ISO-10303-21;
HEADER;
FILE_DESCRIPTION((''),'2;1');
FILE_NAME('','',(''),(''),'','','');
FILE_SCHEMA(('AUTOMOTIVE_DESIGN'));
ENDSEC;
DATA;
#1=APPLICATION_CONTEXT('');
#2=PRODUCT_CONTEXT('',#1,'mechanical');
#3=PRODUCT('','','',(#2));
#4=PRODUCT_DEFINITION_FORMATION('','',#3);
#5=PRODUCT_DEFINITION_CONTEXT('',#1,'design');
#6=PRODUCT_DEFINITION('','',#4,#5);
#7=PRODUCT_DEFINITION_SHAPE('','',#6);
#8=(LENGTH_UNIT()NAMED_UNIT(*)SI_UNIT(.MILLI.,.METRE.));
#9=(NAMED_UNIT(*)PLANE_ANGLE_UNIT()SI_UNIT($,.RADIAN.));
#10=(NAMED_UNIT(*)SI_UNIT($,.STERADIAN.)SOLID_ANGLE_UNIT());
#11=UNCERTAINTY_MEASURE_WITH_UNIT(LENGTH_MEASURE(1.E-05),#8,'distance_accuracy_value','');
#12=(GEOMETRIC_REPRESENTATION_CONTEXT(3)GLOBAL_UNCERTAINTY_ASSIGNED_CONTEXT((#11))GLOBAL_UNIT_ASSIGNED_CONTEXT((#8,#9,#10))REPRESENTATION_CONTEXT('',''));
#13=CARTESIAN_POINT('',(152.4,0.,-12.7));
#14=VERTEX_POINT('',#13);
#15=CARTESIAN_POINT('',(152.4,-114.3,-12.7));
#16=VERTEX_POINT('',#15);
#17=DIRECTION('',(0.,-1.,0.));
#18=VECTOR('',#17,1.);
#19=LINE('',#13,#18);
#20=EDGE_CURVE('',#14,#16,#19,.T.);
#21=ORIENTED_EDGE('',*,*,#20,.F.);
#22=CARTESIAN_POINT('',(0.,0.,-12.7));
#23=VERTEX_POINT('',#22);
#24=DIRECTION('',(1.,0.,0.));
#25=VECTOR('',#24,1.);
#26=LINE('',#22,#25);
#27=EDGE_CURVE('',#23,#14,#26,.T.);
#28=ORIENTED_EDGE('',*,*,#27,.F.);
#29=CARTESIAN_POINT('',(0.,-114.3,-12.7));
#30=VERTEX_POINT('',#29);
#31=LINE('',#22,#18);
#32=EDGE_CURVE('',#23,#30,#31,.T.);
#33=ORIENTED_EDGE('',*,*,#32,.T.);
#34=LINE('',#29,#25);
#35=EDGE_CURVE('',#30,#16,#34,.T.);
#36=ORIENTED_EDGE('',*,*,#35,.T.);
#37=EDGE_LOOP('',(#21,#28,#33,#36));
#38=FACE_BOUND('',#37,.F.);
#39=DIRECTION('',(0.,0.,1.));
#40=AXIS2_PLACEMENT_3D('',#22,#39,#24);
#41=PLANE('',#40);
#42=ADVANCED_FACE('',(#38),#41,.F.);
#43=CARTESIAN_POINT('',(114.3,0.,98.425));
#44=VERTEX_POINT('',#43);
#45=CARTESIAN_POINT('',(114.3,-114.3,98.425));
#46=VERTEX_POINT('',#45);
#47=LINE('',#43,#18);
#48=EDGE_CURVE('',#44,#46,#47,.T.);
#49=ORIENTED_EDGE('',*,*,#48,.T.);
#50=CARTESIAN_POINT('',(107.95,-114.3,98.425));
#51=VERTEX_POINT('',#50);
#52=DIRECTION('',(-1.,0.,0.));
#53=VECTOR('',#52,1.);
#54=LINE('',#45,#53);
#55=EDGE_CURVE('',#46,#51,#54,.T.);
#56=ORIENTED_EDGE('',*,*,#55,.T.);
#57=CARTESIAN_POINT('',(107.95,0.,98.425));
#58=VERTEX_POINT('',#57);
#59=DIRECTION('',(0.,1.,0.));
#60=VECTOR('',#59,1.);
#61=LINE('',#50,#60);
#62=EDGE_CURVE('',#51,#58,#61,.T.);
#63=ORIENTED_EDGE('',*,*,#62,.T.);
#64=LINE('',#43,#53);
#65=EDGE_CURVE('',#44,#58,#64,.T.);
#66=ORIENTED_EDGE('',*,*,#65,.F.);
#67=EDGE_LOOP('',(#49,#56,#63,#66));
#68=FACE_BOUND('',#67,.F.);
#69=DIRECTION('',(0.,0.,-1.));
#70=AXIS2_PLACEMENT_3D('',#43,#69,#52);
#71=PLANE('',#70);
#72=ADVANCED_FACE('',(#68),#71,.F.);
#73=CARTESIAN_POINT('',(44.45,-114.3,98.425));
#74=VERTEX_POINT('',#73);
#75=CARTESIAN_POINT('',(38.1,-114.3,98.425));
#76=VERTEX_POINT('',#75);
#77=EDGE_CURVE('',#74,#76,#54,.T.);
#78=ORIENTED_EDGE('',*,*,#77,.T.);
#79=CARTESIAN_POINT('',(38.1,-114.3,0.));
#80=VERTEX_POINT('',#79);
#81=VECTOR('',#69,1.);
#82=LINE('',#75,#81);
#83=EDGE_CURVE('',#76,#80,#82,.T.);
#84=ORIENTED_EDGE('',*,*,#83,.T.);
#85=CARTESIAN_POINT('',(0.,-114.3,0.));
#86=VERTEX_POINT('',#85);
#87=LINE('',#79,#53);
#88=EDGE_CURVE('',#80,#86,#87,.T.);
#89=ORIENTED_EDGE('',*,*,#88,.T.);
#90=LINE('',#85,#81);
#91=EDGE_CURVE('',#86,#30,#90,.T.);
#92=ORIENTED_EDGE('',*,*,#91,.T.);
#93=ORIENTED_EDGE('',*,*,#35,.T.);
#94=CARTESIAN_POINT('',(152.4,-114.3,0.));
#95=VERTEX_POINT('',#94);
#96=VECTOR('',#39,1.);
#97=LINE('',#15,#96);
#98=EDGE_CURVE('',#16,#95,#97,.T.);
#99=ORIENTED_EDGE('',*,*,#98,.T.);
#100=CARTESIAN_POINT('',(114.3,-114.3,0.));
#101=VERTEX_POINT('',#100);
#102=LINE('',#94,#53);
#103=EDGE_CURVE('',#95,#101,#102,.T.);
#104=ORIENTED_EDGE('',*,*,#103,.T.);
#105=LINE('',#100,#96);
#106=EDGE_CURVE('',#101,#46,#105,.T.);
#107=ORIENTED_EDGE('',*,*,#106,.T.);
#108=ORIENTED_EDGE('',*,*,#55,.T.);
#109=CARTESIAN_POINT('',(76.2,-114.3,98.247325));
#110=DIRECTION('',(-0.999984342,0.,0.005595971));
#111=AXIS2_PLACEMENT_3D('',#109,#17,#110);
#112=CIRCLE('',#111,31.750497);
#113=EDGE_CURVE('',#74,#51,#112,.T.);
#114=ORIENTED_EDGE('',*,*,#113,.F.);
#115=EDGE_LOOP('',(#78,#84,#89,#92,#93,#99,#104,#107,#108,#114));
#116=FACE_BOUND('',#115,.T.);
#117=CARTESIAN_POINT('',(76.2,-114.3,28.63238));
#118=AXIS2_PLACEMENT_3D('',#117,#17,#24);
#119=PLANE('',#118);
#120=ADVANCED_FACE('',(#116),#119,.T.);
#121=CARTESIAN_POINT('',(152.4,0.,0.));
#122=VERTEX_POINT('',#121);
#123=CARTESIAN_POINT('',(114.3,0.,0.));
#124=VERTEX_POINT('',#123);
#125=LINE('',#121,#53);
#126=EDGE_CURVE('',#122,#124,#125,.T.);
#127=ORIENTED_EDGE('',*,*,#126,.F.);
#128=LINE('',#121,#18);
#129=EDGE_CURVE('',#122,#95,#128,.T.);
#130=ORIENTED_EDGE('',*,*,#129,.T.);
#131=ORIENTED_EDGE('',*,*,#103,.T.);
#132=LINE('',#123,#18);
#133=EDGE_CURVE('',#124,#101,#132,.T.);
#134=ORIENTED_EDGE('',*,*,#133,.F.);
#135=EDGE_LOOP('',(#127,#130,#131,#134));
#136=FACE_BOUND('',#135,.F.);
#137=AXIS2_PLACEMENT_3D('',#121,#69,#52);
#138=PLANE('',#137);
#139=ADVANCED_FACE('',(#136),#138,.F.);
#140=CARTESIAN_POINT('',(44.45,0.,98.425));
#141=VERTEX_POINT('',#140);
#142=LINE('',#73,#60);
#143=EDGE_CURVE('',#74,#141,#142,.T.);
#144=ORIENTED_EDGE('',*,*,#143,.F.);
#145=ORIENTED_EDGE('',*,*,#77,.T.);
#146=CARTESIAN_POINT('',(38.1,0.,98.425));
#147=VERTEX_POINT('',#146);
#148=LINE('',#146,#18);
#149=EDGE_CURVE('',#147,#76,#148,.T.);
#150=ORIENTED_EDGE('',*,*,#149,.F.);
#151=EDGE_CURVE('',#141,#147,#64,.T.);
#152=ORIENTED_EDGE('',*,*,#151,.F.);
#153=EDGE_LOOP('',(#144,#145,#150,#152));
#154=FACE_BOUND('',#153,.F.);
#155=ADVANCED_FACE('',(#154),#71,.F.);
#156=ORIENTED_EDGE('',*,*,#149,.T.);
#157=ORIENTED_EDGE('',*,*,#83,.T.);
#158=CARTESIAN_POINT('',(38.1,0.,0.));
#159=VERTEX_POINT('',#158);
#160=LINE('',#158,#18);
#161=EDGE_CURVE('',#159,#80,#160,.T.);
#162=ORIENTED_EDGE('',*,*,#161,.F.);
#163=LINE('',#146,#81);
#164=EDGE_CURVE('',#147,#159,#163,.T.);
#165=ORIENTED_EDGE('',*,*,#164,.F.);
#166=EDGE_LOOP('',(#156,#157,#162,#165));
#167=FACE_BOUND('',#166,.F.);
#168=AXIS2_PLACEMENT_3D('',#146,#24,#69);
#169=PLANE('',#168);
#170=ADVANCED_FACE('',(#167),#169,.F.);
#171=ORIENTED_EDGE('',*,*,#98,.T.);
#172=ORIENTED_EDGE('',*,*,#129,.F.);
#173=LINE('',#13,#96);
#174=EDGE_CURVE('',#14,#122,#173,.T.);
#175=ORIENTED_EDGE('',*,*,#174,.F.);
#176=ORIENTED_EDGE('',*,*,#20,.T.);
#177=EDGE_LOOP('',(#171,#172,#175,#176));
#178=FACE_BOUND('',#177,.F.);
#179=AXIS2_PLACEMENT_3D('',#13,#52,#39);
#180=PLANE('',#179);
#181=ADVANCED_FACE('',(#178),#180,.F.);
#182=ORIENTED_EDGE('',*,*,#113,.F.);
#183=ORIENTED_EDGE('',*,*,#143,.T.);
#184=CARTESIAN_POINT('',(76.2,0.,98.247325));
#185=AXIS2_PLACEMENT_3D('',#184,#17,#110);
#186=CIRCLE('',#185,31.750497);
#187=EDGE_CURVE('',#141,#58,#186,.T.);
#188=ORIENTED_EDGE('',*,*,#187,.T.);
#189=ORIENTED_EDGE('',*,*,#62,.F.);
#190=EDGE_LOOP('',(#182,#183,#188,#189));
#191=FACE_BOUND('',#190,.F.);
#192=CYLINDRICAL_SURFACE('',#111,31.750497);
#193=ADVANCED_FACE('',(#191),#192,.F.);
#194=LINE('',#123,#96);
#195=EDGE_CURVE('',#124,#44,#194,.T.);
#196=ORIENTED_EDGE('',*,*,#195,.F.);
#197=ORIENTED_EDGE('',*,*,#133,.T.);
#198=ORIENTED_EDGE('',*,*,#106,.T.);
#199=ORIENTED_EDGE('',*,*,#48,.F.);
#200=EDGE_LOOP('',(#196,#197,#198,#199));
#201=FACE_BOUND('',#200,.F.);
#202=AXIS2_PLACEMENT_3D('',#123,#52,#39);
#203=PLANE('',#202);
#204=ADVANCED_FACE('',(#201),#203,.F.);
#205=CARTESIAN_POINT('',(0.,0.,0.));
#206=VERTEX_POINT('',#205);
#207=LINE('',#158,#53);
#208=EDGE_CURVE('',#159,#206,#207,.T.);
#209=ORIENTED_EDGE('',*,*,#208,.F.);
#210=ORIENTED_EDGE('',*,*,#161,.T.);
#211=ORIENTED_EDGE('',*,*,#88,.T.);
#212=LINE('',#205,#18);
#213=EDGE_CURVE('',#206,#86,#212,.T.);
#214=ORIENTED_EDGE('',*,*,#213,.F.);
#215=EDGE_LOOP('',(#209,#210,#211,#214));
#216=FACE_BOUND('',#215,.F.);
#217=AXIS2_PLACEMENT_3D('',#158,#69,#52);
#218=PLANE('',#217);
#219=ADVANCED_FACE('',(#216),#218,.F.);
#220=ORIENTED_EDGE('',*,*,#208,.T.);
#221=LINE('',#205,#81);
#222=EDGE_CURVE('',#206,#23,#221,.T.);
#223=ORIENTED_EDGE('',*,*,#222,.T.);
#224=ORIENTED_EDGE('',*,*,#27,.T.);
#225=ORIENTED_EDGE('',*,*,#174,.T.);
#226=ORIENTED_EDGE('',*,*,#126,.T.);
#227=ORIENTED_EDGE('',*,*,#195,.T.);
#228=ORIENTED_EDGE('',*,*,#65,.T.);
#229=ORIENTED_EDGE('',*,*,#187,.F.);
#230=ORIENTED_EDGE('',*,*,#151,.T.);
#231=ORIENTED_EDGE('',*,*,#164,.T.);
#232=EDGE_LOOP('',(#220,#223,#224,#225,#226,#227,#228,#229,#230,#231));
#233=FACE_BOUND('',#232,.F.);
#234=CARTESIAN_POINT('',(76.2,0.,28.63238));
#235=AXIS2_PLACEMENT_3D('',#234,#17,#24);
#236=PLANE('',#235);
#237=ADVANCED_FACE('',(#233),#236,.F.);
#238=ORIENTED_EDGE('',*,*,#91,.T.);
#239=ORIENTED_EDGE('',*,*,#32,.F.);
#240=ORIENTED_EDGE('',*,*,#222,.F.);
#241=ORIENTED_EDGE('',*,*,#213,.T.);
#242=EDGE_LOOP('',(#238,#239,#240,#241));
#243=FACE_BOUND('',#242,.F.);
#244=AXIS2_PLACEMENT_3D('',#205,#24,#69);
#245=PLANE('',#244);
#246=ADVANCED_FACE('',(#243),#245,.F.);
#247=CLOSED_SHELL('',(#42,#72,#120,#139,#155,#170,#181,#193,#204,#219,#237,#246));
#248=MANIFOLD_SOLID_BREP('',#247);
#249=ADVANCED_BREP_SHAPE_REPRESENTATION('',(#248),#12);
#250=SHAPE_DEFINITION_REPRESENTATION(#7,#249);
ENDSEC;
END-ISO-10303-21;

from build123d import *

# Parameters (mm, degrees)
F1_DEPTH = 114.3
F3_DEPTH = 114.3
F5_DEPTH = 114.301


with BuildPart() as f1:
    # F0 (on Front) → F1 (new body)
    with BuildSketch(Plane.XZ):
        Polygon((38.1, 0), (0, 0), (0, -12.7), (152.4, -12.7), (152.4, 0), (114.3, 0), (114.3, 98.425), (38.1, 98.425), align=None)
    extrude(amount=F1_DEPTH)

    # F2 (on face) → F3 (cut)
    with BuildSketch(Plane.XZ.offset(114.3)):
        with BuildLine():
            Line((107.95, 98.425), (44.45, 98.425))
            ThreePointArc((44.45, 98.425), (76.2, 89.917613), (107.95, 98.425))
        make_face()
    extrude(amount=-F3_DEPTH, mode=Mode.SUBTRACT)

    # F4 (on face) → F5 (cut, through all)
    with BuildSketch(Plane.XZ.offset(114.3)):
        with BuildLine():
            ThreePointArc((107.95, 98.425), (76.2, 89.917613), (44.45, 98.425))
            ThreePointArc((44.45, 98.425), (76.2, 66.496828), (107.95, 98.425))
        make_face()
    extrude(amount=-F5_DEPTH, mode=Mode.SUBTRACT)


solid = f1.part
